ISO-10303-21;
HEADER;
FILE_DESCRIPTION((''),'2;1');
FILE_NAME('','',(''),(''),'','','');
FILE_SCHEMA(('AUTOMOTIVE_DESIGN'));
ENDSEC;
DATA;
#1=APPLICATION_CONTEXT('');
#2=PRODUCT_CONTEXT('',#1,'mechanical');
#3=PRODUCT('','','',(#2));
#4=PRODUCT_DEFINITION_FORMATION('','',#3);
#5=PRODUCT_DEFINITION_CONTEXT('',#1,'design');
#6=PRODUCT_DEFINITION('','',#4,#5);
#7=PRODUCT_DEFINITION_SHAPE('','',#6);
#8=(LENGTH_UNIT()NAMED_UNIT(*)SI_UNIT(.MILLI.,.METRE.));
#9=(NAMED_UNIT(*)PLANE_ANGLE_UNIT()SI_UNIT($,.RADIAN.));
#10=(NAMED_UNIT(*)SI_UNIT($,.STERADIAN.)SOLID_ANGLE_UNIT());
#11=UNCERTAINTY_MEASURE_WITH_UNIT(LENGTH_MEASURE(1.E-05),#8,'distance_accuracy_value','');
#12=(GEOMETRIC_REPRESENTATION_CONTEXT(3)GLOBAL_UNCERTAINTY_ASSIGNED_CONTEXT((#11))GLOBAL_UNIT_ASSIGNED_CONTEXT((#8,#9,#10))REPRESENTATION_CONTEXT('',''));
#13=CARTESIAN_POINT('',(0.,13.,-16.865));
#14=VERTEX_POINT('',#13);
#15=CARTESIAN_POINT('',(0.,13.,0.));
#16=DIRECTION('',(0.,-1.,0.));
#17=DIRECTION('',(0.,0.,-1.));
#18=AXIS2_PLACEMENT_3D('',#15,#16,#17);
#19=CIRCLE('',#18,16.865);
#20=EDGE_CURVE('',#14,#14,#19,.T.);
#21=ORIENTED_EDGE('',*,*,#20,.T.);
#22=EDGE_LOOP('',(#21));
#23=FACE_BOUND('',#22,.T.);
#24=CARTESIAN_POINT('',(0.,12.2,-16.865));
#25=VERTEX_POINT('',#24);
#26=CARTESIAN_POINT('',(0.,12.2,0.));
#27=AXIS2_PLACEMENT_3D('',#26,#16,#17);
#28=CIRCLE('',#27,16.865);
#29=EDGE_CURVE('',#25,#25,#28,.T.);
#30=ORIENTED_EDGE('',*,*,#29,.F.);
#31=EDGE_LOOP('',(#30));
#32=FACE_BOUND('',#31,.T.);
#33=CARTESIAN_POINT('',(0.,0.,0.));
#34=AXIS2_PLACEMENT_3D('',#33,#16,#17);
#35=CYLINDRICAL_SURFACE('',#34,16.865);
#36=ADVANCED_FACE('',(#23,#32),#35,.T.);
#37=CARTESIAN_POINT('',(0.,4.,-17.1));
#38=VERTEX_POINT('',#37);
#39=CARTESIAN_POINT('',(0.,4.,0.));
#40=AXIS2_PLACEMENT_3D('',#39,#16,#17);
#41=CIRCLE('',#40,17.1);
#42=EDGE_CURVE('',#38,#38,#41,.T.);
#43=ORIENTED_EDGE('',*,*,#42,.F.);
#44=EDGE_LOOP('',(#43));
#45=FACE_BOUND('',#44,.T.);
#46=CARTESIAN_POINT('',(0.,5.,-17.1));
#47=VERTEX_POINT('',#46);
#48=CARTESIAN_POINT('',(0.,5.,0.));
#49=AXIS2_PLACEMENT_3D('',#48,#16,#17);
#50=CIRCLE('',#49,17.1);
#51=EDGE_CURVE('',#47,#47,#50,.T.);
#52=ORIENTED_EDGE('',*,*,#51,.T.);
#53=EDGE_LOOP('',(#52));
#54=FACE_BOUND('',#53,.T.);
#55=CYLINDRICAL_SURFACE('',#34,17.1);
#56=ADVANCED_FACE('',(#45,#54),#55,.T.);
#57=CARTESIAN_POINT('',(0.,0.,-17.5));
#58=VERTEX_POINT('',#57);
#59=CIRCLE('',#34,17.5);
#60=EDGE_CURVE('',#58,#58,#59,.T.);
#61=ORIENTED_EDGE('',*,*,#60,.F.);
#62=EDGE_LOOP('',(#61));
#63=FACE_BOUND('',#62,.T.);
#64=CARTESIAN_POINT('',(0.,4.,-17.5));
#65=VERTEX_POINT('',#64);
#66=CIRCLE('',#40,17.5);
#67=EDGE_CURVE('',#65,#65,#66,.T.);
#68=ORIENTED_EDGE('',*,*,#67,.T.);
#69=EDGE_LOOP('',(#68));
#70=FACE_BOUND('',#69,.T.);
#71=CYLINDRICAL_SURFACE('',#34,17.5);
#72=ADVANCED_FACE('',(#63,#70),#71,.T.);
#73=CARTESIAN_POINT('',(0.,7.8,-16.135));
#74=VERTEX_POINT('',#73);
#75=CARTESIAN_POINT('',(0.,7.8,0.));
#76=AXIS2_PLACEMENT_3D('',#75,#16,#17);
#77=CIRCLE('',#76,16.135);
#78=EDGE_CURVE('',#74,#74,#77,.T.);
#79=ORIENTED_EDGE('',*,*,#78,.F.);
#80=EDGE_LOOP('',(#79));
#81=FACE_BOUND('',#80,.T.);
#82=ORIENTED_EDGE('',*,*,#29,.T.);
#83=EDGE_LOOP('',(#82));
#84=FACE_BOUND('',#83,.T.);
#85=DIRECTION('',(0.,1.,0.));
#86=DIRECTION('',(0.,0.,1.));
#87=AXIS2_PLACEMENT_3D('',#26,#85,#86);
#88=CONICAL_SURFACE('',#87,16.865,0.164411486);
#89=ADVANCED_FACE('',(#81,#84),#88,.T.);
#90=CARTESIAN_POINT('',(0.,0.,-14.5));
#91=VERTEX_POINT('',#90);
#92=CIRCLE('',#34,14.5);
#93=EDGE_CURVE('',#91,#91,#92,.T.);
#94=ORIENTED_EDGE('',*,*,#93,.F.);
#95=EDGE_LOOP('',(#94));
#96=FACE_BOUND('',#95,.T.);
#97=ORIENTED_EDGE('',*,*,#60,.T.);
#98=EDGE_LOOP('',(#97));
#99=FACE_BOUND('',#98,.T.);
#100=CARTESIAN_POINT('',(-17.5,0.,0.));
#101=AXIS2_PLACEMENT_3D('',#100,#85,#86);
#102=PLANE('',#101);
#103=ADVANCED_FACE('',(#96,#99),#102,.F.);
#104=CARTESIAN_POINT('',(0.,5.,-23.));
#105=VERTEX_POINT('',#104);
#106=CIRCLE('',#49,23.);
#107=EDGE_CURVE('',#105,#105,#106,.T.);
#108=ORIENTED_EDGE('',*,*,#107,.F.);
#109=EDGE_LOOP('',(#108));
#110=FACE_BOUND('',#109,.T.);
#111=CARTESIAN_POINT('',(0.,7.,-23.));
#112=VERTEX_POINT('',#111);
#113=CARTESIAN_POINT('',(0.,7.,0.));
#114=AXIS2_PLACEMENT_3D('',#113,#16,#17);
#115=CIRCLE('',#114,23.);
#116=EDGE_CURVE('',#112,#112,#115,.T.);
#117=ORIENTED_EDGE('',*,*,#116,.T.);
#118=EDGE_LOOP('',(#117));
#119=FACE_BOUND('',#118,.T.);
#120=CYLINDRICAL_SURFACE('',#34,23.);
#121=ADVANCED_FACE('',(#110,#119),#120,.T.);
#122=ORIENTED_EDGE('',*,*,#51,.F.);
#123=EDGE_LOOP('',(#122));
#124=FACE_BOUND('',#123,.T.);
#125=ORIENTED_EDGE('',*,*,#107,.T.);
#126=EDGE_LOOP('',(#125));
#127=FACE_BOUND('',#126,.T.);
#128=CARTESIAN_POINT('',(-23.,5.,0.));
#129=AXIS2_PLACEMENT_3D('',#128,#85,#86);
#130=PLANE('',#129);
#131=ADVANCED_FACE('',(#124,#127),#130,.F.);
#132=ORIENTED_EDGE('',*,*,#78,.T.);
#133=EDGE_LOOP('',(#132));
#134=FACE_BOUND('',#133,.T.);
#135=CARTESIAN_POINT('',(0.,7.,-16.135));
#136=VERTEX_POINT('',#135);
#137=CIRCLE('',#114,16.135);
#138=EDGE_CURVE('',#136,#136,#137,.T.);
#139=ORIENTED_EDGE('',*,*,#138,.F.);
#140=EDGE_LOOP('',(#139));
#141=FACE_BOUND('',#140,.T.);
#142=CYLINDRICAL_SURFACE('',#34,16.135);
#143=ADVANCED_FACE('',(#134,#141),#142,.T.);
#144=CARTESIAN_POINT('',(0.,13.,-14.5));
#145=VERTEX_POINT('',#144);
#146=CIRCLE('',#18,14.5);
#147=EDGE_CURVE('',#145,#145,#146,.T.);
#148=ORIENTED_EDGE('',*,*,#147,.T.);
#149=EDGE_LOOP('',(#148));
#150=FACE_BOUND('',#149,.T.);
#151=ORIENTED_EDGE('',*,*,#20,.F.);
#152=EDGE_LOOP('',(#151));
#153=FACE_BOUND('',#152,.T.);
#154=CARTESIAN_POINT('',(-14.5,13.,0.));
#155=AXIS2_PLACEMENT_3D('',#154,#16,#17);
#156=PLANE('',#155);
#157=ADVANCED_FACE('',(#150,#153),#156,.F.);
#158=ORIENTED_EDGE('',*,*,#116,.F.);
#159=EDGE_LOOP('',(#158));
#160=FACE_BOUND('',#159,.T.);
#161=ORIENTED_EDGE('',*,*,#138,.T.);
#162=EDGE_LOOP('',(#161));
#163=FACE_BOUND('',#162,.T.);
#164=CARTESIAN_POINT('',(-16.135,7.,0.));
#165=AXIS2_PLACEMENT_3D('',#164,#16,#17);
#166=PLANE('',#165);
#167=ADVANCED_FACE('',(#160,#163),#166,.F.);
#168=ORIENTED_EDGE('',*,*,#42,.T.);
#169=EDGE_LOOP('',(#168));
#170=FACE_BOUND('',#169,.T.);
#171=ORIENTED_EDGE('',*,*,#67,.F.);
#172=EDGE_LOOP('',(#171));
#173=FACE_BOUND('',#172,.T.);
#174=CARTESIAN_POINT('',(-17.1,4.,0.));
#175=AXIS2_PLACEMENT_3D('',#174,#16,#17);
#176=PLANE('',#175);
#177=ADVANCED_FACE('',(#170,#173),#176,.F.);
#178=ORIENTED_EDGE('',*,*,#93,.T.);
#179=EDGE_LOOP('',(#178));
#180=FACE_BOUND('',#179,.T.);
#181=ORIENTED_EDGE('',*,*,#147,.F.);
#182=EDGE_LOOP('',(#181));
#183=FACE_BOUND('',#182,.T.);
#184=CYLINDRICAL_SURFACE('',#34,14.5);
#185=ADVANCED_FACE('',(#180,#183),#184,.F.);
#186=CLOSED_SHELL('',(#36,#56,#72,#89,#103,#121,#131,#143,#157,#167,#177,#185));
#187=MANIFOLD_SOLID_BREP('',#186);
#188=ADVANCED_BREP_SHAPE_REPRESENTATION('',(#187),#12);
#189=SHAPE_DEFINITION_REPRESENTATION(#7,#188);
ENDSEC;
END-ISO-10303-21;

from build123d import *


with BuildPart() as part:
    # 草图1 → 旋转1 (revolve)
    with BuildSketch(Plane.XY, mode=Mode.PRIVATE) as revolve_1_sk:
        Polygon((-14.5, 0), (-14.5, 13), (-16.865, 13), (-16.865, 12.2), (-16.135, 7.8), (-16.135, 7), (-23, 7), (-23, 5), (-17.1, 5), (-17.1, 4), (-17.5, 4), (-17.5, 0), align=None)
    revolve(revolve_1_sk.sketch.rotate(Axis((0, 0, 0), (0, 1, 0)), 270), axis=Axis((0, 0, 0), (0, 1, 0)))  # turned: the seam where the file's is


solid = part.part
